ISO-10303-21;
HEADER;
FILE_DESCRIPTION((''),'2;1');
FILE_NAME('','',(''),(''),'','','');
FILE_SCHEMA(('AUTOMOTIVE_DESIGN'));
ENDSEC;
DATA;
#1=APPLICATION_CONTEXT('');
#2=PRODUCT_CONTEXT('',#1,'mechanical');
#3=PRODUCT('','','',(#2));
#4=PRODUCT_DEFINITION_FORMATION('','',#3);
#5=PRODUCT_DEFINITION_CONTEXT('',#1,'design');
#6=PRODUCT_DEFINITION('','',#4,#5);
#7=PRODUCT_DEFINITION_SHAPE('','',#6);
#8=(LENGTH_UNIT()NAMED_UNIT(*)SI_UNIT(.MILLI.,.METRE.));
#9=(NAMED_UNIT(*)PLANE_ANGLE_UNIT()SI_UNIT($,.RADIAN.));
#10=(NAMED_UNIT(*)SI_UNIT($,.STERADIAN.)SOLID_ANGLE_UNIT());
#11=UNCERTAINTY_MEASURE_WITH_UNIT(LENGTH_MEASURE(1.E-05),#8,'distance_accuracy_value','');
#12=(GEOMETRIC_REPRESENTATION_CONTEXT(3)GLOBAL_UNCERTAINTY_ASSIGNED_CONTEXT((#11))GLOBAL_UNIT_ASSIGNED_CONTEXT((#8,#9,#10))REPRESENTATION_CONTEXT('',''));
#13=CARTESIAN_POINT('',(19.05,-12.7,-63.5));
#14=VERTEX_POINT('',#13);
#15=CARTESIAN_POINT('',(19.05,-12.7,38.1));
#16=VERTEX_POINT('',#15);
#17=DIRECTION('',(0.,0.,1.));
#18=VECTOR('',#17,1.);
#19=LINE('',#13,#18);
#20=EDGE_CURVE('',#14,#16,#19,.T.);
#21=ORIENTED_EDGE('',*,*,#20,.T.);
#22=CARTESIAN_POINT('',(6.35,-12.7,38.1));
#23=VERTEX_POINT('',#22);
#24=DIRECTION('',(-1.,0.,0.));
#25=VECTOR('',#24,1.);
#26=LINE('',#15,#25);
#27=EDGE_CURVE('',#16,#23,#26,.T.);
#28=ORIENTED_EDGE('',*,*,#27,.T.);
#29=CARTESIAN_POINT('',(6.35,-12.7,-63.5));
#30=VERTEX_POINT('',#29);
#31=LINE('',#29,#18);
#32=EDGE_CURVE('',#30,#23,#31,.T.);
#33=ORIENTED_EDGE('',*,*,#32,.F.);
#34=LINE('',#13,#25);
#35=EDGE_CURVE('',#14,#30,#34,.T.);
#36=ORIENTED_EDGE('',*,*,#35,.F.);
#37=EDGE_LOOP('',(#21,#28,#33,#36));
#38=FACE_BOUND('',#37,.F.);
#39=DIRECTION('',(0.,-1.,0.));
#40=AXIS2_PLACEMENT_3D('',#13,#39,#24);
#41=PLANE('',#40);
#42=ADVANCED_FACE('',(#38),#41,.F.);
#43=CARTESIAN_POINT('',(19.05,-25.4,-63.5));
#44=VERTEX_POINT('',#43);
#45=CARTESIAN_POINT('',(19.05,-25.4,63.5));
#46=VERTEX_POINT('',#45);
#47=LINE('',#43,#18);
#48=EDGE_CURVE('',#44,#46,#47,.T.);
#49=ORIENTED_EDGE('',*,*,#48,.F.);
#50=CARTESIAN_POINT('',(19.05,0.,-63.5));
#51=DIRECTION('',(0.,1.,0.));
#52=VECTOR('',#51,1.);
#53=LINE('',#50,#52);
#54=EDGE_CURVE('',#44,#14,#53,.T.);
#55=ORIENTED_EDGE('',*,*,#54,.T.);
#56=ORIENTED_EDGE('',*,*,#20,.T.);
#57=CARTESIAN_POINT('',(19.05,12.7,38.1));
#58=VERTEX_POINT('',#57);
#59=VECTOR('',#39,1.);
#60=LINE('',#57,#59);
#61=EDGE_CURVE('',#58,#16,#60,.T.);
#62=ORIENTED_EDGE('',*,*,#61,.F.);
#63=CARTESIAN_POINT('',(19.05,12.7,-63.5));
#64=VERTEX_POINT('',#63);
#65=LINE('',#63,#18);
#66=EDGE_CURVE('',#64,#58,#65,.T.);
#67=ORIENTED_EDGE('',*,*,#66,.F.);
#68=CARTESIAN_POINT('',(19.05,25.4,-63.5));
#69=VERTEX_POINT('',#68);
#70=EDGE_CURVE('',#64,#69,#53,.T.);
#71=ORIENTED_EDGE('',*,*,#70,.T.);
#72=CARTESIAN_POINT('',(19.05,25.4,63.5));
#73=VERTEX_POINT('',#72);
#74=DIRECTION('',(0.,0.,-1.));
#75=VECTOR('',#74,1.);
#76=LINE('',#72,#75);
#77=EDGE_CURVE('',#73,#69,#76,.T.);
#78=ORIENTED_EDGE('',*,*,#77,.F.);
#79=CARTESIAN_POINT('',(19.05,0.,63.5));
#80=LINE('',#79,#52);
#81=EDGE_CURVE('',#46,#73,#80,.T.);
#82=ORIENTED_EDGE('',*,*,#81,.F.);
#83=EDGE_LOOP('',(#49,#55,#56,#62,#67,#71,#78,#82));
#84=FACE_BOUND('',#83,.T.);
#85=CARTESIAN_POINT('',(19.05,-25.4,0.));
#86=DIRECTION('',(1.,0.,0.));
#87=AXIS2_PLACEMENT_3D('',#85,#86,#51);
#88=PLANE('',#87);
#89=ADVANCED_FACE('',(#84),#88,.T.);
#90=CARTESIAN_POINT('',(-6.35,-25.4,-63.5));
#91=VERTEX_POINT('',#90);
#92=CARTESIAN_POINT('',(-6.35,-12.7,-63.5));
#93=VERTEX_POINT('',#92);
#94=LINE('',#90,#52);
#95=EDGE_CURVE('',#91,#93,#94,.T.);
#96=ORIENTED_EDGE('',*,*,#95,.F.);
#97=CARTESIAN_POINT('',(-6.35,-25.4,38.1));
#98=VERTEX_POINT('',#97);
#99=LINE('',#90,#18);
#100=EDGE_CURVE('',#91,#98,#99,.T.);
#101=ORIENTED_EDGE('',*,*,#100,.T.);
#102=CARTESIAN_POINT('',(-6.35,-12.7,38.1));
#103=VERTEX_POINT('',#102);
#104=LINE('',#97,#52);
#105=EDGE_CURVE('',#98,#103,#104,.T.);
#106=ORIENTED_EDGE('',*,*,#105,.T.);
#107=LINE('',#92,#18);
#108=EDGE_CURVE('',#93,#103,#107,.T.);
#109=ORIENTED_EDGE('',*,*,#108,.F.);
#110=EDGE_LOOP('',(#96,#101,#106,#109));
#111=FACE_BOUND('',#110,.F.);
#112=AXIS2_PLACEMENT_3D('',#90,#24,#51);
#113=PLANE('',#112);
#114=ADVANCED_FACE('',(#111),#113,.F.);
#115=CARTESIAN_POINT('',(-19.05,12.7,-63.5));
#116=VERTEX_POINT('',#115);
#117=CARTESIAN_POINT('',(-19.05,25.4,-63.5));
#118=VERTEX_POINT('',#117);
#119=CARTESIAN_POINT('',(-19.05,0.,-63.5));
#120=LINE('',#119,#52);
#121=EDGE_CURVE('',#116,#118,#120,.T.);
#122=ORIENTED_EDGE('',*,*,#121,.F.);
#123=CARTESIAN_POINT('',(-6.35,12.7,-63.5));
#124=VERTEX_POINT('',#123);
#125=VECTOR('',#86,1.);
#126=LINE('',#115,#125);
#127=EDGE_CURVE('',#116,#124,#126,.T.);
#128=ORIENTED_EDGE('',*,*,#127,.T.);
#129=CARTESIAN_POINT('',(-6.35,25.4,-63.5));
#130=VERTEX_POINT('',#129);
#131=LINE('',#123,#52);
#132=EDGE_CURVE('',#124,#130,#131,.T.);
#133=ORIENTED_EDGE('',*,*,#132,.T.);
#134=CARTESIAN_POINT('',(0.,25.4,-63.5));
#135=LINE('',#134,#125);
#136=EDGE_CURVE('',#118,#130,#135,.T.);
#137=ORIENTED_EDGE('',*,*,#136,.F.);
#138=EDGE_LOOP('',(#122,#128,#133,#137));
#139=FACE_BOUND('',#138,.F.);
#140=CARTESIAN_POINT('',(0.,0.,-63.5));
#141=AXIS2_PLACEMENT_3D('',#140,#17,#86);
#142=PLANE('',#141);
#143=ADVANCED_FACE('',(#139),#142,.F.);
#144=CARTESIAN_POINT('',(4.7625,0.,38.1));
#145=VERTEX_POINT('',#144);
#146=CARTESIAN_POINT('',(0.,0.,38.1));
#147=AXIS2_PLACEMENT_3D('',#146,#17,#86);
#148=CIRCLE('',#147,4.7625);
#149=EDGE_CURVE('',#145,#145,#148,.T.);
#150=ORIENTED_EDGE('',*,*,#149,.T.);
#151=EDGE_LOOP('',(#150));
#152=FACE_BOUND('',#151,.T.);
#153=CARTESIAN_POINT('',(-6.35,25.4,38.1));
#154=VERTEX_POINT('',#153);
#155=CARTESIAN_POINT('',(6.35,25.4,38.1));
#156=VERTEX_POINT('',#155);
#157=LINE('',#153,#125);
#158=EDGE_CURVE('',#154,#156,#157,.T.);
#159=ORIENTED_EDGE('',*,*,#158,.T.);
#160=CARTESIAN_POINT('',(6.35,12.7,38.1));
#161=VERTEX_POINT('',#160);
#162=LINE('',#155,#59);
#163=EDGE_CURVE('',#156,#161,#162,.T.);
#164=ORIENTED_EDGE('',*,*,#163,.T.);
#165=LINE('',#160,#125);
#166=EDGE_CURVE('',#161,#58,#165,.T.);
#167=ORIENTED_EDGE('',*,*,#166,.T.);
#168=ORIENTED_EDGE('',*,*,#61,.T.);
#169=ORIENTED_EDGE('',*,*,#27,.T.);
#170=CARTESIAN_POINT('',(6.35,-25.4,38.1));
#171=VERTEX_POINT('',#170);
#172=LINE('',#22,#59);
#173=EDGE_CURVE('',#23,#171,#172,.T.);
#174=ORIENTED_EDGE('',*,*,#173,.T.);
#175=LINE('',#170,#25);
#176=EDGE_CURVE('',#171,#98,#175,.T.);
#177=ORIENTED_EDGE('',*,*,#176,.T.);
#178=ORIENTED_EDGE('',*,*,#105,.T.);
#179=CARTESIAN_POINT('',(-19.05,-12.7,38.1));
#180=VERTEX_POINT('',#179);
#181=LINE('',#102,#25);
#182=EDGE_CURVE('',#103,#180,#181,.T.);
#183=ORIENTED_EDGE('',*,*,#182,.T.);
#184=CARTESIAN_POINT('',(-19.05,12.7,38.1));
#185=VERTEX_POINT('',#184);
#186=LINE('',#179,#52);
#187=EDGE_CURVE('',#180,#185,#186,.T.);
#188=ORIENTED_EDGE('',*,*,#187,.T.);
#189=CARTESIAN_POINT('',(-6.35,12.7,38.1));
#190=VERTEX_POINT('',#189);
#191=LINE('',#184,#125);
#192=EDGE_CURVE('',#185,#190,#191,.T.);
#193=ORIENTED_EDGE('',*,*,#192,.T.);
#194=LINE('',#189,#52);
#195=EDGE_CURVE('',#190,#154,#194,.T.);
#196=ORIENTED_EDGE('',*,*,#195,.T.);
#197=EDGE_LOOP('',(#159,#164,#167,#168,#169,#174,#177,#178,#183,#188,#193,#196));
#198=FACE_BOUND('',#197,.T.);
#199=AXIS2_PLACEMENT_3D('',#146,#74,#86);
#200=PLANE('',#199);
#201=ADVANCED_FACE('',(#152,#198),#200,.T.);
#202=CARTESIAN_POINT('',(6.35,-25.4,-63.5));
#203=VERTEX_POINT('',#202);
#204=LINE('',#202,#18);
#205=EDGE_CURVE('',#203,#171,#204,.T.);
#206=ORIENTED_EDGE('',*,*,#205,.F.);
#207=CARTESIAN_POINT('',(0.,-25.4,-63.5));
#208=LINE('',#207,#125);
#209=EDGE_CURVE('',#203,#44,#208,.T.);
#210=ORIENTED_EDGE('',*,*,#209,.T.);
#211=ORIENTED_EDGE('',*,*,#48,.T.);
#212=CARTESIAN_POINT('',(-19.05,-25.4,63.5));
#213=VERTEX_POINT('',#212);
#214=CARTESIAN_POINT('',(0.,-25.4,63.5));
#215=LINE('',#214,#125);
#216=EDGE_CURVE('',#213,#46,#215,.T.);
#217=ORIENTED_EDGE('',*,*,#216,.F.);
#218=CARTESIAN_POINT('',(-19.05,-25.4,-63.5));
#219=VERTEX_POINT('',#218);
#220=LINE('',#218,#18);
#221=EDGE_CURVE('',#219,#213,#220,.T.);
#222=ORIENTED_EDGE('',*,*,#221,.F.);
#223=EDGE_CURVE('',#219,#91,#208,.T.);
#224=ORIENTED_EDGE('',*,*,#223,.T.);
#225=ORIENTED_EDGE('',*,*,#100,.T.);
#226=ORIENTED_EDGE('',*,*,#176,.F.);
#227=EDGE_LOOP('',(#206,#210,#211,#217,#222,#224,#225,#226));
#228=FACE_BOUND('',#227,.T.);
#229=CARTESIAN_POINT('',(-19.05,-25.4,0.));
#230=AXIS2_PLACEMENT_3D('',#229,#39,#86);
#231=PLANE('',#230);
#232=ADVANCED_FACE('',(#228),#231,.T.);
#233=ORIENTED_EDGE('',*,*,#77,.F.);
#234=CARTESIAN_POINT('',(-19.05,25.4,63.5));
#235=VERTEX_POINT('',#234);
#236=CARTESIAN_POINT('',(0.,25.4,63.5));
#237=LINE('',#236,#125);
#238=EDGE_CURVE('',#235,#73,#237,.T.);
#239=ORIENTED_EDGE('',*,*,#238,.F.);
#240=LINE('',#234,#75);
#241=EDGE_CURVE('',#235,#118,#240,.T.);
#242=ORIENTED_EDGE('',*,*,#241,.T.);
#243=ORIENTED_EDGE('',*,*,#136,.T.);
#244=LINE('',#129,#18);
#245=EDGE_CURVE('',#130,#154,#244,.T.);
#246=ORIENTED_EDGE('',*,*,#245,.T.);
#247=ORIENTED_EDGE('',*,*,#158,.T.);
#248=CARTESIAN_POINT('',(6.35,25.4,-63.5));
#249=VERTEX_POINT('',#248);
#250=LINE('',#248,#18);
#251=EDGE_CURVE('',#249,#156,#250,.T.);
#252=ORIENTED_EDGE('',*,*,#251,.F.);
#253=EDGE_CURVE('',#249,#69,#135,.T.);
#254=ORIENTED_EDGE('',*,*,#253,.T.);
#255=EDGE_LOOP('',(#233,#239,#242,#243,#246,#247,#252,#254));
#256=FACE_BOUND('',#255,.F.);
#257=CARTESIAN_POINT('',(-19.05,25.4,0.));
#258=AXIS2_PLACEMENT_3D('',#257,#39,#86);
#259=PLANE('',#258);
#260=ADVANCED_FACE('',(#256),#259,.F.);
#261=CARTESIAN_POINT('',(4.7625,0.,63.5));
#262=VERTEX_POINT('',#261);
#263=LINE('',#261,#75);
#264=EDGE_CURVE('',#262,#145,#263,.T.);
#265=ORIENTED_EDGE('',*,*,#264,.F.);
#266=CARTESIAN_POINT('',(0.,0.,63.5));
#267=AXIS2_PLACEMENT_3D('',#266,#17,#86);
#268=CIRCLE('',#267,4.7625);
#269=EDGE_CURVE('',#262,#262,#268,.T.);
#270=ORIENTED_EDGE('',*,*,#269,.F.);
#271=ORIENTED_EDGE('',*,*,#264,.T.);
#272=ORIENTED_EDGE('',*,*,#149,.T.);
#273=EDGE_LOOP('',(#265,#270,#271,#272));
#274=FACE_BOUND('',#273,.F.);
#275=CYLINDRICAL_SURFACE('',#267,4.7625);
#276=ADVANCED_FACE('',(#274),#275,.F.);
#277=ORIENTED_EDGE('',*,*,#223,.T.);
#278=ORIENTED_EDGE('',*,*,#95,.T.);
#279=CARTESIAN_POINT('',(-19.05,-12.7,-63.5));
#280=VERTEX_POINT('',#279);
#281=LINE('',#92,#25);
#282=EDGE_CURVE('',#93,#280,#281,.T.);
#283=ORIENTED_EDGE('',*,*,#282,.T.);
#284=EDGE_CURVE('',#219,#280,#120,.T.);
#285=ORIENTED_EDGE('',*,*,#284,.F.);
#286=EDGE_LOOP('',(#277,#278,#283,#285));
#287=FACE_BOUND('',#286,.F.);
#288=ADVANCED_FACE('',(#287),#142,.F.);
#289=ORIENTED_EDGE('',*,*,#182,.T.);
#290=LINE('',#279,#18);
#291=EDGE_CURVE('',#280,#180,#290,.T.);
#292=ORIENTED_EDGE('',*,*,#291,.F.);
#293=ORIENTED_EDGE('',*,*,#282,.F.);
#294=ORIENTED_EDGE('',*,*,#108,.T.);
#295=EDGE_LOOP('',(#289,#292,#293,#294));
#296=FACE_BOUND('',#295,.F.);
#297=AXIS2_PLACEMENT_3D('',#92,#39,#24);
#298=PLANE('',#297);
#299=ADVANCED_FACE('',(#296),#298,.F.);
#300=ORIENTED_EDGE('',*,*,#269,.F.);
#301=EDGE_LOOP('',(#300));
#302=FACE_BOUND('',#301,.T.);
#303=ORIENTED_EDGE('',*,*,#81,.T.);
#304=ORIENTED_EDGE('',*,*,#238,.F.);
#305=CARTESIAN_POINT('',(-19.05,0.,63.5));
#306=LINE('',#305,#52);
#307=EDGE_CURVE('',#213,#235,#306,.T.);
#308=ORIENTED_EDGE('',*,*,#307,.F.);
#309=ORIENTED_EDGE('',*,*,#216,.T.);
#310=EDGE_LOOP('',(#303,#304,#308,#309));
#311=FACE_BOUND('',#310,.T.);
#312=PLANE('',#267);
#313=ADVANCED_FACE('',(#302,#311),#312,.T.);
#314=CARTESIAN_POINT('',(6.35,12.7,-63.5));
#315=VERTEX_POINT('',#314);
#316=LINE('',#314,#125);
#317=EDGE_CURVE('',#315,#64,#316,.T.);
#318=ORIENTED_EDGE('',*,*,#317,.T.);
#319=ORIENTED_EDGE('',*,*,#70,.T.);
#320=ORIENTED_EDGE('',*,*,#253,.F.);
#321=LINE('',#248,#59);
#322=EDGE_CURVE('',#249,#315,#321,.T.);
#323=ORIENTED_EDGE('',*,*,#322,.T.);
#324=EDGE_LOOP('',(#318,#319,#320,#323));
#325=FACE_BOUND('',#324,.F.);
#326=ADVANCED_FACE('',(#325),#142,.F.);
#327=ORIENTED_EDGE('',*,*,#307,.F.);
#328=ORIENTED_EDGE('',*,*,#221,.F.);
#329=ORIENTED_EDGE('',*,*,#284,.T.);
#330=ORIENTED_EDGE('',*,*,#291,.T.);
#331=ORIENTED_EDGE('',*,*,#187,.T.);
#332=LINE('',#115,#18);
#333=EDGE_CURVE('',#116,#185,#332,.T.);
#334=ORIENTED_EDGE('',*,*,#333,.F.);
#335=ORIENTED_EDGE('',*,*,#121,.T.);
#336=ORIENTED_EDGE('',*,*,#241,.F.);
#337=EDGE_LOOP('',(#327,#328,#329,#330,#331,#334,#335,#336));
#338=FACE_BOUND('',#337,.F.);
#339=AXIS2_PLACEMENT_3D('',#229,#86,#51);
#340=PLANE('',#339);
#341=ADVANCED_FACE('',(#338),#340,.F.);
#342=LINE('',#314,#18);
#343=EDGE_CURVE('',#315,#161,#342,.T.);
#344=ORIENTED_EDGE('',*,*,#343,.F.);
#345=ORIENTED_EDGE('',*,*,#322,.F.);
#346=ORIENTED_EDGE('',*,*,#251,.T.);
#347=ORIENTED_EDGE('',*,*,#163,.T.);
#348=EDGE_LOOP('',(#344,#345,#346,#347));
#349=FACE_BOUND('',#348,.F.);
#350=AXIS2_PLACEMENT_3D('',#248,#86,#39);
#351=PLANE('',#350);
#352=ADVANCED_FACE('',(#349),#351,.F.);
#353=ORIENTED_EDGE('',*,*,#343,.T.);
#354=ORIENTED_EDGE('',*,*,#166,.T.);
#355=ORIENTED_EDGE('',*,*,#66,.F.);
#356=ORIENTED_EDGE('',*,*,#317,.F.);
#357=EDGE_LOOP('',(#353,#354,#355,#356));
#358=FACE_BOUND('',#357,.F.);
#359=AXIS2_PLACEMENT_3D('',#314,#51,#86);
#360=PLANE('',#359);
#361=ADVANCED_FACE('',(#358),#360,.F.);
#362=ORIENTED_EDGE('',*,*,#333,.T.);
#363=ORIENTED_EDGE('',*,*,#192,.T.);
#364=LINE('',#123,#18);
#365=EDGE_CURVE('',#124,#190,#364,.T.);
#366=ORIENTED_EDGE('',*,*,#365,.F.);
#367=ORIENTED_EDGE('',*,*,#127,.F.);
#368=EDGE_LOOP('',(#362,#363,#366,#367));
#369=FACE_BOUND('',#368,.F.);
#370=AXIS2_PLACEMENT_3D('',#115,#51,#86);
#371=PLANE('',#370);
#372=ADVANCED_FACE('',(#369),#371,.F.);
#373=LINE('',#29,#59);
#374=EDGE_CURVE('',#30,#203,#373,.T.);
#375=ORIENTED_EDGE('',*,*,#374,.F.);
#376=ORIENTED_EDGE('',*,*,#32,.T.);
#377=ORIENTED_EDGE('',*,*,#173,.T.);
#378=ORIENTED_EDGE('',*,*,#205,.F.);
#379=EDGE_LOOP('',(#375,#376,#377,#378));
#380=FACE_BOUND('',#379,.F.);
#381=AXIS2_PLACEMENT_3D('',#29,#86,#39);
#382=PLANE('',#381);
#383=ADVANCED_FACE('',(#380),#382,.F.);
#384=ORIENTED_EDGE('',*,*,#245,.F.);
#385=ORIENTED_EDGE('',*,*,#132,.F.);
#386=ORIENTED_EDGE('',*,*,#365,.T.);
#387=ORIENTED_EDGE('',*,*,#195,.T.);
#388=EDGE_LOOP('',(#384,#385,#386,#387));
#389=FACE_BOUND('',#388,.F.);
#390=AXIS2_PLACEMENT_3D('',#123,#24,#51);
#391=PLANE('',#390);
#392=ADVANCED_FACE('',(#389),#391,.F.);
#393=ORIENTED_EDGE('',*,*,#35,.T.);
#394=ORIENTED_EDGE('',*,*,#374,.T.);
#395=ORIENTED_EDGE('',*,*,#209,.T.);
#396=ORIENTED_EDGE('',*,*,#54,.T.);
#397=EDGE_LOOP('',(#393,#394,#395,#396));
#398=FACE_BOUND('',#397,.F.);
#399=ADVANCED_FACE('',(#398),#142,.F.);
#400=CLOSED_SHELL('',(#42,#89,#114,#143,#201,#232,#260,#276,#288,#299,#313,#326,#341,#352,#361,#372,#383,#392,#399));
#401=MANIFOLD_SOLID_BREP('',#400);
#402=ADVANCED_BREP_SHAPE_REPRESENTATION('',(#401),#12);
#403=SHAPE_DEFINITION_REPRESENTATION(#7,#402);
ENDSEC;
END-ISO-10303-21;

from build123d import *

# Parameters (mm, degrees)
F0_W     = 38.1
F0_H     = 50.8
F1_DEPTH = 63.5
F3_DEPTH = 101.6
F4_R     = 4.7625
F5_DEPTH = 25.4


with BuildPart() as f1:
    # F0 (on Top) → F1 (new body, symmetric)
    with BuildSketch(Plane.XY):
        Rectangle(F0_W, F0_H)
    extrude(amount=F1_DEPTH, both=True)

    # F2 (on face) → F3 (cut)
    with BuildSketch(Plane(origin=(0, 0, -63.5), x_dir=(1, 0, 0), z_dir=(0, 0, -1))):
        Polygon((6.35, 25.4), (-6.35, 25.4), (-6.35, 12.7), (-19.05, 12.7), (-19.05, -12.7), (-6.35, -12.7), (-6.35, -25.4), (6.35, -25.4), (6.35, -12.7), (19.05, -12.7), (19.05, 12.7), (6.35, 12.7), align=None)
    extrude(amount=-F3_DEPTH, mode=Mode.SUBTRACT)

    # F4 (on face) → F5 (cut)
    with BuildSketch(Plane.XY.offset(63.5)):
        Circle(F4_R)
    extrude(amount=-F5_DEPTH, mode=Mode.SUBTRACT)


solid = f1.part
